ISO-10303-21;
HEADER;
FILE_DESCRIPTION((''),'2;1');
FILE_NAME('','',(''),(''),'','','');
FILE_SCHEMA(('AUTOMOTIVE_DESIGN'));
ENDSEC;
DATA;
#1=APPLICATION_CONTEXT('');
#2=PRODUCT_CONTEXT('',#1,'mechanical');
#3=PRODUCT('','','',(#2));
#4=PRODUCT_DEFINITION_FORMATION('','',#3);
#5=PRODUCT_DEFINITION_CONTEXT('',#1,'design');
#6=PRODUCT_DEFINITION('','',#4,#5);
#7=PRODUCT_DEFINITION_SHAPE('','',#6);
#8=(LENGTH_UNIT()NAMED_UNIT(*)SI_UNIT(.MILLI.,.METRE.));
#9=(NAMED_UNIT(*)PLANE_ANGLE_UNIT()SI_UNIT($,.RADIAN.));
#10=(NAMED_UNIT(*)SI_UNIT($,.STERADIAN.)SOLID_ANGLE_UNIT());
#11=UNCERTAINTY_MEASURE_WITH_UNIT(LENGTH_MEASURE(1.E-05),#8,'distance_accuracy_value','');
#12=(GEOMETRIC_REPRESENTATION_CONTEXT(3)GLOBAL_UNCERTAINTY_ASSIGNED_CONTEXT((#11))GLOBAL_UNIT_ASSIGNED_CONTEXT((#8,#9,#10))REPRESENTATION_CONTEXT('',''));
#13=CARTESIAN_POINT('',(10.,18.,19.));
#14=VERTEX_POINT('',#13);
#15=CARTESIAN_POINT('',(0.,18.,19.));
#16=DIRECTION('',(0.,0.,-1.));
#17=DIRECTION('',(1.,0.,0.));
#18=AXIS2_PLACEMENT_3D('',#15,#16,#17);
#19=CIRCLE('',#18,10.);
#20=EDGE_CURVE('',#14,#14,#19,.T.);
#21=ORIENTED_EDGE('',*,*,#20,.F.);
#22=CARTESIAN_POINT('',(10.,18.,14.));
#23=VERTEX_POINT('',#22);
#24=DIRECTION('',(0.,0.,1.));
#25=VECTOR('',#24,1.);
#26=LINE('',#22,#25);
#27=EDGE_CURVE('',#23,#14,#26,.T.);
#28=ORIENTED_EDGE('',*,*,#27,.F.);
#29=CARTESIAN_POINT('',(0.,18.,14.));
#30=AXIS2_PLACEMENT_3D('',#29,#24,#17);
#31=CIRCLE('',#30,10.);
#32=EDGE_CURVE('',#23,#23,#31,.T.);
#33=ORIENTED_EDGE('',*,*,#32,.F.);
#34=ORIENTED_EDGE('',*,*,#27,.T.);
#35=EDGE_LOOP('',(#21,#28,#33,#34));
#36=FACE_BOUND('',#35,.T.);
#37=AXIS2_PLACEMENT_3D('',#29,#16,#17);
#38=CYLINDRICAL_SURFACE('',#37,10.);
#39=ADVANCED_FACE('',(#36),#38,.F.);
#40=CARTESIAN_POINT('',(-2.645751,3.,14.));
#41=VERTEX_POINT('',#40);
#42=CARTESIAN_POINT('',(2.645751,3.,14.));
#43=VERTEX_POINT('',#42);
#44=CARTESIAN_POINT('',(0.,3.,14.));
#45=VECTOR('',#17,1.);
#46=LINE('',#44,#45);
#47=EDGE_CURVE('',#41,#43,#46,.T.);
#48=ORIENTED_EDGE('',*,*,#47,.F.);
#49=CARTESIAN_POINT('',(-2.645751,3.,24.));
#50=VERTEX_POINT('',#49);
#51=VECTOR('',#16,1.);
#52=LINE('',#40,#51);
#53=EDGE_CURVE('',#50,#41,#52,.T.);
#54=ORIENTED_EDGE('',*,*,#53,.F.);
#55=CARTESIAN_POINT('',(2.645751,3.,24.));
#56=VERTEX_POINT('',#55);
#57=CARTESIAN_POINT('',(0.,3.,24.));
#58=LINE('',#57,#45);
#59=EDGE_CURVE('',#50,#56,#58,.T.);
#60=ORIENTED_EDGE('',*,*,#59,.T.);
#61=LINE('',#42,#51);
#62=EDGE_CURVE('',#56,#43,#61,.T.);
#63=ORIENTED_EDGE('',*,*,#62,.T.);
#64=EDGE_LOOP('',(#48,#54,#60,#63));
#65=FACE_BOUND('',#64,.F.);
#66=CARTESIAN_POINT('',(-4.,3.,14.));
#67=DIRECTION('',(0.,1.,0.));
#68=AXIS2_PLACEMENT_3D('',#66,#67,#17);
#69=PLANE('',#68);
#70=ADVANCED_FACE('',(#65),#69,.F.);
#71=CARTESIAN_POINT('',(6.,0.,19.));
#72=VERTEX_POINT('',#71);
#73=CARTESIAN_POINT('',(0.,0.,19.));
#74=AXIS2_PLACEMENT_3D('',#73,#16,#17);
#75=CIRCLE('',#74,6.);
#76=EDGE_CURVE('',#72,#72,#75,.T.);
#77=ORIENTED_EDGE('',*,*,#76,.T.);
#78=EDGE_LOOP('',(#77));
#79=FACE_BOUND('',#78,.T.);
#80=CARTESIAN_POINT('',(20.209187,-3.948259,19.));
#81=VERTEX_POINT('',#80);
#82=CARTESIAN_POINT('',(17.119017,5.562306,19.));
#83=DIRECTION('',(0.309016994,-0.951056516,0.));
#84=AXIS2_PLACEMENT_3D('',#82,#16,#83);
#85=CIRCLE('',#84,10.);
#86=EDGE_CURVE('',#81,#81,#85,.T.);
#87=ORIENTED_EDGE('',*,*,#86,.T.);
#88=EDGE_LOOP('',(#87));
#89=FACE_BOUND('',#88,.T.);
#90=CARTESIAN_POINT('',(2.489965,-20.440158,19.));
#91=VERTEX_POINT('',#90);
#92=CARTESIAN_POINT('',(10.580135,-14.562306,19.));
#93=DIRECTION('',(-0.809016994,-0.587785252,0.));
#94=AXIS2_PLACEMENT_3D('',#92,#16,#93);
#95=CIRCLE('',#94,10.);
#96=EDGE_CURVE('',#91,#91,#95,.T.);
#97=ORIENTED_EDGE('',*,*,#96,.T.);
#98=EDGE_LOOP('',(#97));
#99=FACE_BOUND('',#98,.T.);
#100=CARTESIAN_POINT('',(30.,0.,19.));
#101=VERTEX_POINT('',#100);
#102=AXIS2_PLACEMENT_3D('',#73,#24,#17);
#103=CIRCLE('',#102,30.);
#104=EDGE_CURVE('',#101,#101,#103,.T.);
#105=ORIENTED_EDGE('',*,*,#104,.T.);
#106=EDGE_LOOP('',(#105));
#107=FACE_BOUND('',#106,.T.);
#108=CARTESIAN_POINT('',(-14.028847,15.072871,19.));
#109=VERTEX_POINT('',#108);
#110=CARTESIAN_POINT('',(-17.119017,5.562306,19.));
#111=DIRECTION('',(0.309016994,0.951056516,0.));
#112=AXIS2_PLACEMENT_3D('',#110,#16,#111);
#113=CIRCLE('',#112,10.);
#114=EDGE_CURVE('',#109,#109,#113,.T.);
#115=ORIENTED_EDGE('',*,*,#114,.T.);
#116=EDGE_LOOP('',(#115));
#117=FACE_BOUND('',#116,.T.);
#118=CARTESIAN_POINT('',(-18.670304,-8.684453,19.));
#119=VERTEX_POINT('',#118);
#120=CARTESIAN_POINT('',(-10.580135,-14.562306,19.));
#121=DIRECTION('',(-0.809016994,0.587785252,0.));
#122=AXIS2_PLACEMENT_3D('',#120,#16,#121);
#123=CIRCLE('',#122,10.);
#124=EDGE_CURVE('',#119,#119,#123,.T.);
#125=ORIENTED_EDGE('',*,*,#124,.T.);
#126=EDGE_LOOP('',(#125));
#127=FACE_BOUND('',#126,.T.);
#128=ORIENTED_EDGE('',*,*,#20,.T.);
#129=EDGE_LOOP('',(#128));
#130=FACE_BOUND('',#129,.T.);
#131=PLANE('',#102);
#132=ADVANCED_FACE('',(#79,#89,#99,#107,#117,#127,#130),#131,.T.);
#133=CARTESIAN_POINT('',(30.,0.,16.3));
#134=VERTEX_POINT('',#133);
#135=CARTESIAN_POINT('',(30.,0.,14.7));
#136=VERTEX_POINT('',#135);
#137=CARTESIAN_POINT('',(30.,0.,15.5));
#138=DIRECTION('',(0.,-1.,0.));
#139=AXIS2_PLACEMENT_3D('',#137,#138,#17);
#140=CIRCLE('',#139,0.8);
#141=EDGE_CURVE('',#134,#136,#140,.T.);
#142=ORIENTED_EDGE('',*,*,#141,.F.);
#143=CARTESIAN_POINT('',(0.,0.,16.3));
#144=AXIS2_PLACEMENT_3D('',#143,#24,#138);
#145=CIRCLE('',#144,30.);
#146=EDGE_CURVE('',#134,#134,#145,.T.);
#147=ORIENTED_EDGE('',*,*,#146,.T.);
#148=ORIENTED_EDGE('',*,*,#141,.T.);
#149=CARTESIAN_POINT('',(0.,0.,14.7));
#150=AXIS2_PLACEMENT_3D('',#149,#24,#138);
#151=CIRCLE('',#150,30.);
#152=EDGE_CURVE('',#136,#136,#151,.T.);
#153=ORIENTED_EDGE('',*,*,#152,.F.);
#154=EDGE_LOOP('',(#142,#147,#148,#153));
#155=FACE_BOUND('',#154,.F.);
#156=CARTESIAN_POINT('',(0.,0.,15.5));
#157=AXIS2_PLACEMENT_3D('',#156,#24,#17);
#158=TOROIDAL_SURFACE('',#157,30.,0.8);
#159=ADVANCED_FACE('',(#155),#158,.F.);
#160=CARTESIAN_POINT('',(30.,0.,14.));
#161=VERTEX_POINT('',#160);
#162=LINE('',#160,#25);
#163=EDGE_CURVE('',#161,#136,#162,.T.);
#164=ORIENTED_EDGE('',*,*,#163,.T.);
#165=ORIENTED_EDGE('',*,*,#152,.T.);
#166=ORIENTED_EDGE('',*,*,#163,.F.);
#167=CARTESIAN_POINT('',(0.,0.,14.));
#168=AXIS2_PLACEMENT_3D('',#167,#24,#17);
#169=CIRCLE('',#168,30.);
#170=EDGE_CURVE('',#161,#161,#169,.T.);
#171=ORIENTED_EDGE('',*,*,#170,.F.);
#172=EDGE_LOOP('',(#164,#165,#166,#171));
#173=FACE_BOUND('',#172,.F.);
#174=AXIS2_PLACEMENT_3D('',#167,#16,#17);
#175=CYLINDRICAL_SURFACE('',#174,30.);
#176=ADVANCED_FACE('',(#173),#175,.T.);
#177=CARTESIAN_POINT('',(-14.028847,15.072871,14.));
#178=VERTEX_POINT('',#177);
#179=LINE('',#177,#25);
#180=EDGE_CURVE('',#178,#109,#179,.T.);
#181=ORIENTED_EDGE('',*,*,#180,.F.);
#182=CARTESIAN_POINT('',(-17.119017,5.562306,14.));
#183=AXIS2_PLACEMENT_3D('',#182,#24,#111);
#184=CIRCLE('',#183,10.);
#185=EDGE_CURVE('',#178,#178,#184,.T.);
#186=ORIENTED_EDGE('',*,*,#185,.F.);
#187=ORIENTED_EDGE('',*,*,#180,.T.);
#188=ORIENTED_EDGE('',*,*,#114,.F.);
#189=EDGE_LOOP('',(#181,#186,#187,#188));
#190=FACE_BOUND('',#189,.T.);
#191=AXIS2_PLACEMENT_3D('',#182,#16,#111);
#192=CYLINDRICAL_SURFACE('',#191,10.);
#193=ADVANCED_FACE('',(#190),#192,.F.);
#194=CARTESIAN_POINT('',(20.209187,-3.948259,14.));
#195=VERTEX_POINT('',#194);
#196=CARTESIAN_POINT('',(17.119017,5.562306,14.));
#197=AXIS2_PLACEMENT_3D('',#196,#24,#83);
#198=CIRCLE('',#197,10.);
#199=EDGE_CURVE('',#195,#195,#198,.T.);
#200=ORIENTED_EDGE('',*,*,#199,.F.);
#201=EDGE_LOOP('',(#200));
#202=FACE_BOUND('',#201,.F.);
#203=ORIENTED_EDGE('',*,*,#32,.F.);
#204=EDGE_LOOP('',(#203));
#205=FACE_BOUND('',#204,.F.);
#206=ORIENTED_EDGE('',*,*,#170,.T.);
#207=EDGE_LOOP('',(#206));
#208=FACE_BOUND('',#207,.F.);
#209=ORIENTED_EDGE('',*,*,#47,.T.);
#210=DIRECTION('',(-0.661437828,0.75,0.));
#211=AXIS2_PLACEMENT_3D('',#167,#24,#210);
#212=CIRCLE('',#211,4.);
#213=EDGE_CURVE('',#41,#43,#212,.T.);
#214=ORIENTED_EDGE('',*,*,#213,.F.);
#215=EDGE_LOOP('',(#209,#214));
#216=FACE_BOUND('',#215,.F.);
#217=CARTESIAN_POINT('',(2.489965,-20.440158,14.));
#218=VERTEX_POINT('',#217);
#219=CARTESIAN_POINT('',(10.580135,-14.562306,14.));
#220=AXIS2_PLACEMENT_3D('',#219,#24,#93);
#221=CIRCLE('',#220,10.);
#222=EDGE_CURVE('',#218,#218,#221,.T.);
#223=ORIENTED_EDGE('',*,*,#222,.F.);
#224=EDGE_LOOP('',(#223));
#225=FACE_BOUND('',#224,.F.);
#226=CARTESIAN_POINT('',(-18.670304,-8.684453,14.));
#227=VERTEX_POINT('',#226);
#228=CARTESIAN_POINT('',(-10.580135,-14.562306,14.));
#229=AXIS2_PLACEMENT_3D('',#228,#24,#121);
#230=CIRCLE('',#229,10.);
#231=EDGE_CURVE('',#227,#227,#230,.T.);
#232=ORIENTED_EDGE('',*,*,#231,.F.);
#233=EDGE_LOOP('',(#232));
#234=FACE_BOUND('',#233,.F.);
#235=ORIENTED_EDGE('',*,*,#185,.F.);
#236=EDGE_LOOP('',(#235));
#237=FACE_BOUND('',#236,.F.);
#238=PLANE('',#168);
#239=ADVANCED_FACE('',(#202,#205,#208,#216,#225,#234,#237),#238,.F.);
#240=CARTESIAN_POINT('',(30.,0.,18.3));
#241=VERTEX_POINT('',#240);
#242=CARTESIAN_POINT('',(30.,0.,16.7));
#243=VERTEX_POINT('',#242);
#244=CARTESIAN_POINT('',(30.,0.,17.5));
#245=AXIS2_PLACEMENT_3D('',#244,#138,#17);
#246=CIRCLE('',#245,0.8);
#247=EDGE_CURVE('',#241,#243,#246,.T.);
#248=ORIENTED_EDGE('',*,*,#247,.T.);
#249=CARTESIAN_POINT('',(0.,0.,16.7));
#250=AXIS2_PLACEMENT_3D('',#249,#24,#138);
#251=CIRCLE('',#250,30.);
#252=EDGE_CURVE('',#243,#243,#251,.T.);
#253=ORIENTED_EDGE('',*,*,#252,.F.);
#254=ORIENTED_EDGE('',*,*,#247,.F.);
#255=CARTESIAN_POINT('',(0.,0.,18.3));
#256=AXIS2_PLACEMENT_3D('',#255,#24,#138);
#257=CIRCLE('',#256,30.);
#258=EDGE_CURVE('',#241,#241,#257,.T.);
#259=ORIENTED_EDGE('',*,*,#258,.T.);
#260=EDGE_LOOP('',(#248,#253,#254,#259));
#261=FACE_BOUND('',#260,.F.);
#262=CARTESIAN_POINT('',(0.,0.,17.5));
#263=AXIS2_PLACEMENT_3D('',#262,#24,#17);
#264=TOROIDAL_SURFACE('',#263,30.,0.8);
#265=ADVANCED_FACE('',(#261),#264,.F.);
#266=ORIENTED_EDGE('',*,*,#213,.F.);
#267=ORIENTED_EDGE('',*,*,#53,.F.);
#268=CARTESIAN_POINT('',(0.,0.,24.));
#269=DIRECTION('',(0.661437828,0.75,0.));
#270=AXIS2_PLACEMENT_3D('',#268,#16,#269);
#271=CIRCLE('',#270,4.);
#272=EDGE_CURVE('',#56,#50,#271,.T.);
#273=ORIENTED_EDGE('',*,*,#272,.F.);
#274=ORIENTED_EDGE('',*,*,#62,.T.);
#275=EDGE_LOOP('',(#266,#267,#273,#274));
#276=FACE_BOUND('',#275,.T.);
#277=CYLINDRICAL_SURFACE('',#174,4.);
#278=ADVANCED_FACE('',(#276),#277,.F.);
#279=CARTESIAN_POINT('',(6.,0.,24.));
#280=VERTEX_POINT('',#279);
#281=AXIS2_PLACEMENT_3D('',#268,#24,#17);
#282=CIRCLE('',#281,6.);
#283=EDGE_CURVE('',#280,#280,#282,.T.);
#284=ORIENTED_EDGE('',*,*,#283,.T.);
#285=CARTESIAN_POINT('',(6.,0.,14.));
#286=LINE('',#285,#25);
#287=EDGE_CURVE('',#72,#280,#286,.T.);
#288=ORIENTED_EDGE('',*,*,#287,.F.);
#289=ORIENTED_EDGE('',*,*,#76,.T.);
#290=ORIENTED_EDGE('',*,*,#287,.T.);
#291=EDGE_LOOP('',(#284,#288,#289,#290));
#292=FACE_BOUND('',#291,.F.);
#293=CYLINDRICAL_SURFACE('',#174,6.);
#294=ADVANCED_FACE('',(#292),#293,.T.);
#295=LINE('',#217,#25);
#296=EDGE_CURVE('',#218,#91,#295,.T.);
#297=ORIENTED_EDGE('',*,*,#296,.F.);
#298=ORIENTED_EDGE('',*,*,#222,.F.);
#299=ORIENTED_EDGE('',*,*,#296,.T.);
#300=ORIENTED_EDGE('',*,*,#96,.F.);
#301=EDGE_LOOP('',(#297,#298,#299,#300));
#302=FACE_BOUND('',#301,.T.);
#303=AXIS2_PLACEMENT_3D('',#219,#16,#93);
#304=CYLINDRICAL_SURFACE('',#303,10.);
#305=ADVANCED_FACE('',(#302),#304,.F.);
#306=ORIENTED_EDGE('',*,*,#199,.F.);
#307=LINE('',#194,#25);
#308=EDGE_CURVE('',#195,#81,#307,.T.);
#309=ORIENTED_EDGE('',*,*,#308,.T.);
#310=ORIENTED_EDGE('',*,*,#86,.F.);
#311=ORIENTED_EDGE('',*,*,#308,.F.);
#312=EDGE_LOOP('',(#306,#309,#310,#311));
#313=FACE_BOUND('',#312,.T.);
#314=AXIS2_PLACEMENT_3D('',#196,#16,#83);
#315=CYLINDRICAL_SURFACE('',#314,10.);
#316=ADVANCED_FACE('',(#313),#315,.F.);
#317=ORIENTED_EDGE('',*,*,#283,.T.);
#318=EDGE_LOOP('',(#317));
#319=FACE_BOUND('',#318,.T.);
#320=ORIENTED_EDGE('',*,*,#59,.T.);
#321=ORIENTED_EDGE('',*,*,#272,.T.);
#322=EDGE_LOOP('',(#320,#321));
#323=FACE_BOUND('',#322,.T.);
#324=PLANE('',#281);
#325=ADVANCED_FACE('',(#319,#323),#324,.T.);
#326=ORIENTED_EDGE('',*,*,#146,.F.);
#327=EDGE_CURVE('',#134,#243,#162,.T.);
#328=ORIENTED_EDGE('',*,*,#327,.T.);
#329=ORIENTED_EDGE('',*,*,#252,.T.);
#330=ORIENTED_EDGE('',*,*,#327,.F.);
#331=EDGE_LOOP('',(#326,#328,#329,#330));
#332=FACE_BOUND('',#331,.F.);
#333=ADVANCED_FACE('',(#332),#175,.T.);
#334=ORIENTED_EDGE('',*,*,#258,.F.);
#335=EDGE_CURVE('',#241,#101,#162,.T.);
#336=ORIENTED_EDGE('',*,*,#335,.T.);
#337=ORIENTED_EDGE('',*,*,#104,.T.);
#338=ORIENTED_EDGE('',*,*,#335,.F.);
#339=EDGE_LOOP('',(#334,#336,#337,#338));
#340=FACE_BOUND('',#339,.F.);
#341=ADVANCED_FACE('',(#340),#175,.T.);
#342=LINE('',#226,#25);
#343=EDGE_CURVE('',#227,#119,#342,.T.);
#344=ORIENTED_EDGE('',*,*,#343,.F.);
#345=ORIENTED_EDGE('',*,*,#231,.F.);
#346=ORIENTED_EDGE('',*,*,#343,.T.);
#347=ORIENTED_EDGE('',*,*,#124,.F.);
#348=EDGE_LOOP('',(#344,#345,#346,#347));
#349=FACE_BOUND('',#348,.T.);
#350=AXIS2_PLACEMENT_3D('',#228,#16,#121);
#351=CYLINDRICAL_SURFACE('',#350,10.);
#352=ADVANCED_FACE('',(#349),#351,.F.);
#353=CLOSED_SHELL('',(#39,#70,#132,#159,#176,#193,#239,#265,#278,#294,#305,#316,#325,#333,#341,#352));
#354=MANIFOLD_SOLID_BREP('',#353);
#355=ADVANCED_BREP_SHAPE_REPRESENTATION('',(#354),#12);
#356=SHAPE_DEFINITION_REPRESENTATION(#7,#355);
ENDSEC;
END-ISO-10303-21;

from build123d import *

# Parameters (mm, degrees)
CYLINDER003_R     = 10
CYLINDER003_DEPTH = 10
ARRAY_COUNT       = 5
TORUS001_R        = 0.8
TORUS_R           = 0.8
CYLINDER_R        = 4
CYLINDER_DEPTH    = 10
BOX_W             = 8
BOX_H             = 7
BOX_DEPTH         = 10
CYLINDER002_R     = 6
CYLINDER002_DEPTH = 10
CYLINDER001_R     = 30
CYLINDER001_DEPTH = 5


with BuildPart() as fusion001:
    # Cylinder003 → Cylinder003 (new body)
    with BuildSketch(Plane(origin=(0, 18, 0), x_dir=(1, 0, 0), z_dir=(0, 0, 1))):
        Circle(CYLINDER003_R)
    extrude(amount=CYLINDER003_DEPTH)

    # Array: Fusion001 ×5 about axis
    array_axis = Axis((0, 0, 0), (0, 0, 1))


with BuildPart() as fusion001_1:
    add(fusion001.part)
    for i in range(1, ARRAY_COUNT):
        add(fusion001.part.rotate(array_axis, i * 360 / ARRAY_COUNT))


with BuildPart() as torus001:
    # Torus001 → Torus001 (revolve)
    with BuildSketch(Plane(origin=(0, 0, 3.5), x_dir=(1, 0, 0), z_dir=(0, -1, 0))):
        with Locations((30, 0)):
            Circle(TORUS001_R)
    revolve(axis=Axis((0, 0, 3.5), (0, 0, 1)))


with BuildPart() as torus:
    # Torus → Torus (revolve)
    with BuildSketch(Plane(origin=(0, 0, 1.5), x_dir=(1, 0, 0), z_dir=(0, -1, 0))):
        with Locations((30, 0)):
            Circle(TORUS_R)
    revolve(axis=Axis((0, 0, 1.5), (0, 0, 1)))


with BuildPart() as cylinder:
    # Cylinder → Cylinder (new body)
    with BuildSketch(Plane.XY):
        Circle(CYLINDER_R)
    extrude(amount=CYLINDER_DEPTH)


with BuildPart() as common:
    # Box → Box (new body)
    with BuildSketch(Plane(origin=(-4, -4, 0), x_dir=(1, 0, 0), z_dir=(0, 0, 1))):
        with Locations((4, 3.5)):
            Rectangle(BOX_W, BOX_H)
    extrude(amount=BOX_DEPTH)

    # Common: intersect Cylinder
    add(cylinder.part, mode=Mode.INTERSECT)


with BuildPart() as cylinder002:
    # Cylinder002 → Cylinder002 (new body)
    with BuildSketch(Plane.XY):
        Circle(CYLINDER002_R)
    extrude(amount=CYLINDER002_DEPTH)


with BuildPart() as cut003:
    # Cylinder001 → Cylinder001 (new body)
    with BuildSketch(Plane.XY):
        Circle(CYLINDER001_R)
    extrude(amount=CYLINDER001_DEPTH)

    # Fusion: union Cylinder002
    add(cylinder002.part)

    # Cut: cut Common
    add(common.part, mode=Mode.SUBTRACT)

    # Cut001: cut Torus
    add(torus.part, mode=Mode.SUBTRACT)

    # Cut002: cut Torus001
    add(torus001.part, mode=Mode.SUBTRACT)

    # Cut003: cut Fusion001
    add(fusion001_1.part, mode=Mode.SUBTRACT)


with BuildPart() as cut003_1:
    # Cut003 placement: moved
    add(cut003.part.moved(Location((0, 0, 14))))


solid = cut003_1.part
